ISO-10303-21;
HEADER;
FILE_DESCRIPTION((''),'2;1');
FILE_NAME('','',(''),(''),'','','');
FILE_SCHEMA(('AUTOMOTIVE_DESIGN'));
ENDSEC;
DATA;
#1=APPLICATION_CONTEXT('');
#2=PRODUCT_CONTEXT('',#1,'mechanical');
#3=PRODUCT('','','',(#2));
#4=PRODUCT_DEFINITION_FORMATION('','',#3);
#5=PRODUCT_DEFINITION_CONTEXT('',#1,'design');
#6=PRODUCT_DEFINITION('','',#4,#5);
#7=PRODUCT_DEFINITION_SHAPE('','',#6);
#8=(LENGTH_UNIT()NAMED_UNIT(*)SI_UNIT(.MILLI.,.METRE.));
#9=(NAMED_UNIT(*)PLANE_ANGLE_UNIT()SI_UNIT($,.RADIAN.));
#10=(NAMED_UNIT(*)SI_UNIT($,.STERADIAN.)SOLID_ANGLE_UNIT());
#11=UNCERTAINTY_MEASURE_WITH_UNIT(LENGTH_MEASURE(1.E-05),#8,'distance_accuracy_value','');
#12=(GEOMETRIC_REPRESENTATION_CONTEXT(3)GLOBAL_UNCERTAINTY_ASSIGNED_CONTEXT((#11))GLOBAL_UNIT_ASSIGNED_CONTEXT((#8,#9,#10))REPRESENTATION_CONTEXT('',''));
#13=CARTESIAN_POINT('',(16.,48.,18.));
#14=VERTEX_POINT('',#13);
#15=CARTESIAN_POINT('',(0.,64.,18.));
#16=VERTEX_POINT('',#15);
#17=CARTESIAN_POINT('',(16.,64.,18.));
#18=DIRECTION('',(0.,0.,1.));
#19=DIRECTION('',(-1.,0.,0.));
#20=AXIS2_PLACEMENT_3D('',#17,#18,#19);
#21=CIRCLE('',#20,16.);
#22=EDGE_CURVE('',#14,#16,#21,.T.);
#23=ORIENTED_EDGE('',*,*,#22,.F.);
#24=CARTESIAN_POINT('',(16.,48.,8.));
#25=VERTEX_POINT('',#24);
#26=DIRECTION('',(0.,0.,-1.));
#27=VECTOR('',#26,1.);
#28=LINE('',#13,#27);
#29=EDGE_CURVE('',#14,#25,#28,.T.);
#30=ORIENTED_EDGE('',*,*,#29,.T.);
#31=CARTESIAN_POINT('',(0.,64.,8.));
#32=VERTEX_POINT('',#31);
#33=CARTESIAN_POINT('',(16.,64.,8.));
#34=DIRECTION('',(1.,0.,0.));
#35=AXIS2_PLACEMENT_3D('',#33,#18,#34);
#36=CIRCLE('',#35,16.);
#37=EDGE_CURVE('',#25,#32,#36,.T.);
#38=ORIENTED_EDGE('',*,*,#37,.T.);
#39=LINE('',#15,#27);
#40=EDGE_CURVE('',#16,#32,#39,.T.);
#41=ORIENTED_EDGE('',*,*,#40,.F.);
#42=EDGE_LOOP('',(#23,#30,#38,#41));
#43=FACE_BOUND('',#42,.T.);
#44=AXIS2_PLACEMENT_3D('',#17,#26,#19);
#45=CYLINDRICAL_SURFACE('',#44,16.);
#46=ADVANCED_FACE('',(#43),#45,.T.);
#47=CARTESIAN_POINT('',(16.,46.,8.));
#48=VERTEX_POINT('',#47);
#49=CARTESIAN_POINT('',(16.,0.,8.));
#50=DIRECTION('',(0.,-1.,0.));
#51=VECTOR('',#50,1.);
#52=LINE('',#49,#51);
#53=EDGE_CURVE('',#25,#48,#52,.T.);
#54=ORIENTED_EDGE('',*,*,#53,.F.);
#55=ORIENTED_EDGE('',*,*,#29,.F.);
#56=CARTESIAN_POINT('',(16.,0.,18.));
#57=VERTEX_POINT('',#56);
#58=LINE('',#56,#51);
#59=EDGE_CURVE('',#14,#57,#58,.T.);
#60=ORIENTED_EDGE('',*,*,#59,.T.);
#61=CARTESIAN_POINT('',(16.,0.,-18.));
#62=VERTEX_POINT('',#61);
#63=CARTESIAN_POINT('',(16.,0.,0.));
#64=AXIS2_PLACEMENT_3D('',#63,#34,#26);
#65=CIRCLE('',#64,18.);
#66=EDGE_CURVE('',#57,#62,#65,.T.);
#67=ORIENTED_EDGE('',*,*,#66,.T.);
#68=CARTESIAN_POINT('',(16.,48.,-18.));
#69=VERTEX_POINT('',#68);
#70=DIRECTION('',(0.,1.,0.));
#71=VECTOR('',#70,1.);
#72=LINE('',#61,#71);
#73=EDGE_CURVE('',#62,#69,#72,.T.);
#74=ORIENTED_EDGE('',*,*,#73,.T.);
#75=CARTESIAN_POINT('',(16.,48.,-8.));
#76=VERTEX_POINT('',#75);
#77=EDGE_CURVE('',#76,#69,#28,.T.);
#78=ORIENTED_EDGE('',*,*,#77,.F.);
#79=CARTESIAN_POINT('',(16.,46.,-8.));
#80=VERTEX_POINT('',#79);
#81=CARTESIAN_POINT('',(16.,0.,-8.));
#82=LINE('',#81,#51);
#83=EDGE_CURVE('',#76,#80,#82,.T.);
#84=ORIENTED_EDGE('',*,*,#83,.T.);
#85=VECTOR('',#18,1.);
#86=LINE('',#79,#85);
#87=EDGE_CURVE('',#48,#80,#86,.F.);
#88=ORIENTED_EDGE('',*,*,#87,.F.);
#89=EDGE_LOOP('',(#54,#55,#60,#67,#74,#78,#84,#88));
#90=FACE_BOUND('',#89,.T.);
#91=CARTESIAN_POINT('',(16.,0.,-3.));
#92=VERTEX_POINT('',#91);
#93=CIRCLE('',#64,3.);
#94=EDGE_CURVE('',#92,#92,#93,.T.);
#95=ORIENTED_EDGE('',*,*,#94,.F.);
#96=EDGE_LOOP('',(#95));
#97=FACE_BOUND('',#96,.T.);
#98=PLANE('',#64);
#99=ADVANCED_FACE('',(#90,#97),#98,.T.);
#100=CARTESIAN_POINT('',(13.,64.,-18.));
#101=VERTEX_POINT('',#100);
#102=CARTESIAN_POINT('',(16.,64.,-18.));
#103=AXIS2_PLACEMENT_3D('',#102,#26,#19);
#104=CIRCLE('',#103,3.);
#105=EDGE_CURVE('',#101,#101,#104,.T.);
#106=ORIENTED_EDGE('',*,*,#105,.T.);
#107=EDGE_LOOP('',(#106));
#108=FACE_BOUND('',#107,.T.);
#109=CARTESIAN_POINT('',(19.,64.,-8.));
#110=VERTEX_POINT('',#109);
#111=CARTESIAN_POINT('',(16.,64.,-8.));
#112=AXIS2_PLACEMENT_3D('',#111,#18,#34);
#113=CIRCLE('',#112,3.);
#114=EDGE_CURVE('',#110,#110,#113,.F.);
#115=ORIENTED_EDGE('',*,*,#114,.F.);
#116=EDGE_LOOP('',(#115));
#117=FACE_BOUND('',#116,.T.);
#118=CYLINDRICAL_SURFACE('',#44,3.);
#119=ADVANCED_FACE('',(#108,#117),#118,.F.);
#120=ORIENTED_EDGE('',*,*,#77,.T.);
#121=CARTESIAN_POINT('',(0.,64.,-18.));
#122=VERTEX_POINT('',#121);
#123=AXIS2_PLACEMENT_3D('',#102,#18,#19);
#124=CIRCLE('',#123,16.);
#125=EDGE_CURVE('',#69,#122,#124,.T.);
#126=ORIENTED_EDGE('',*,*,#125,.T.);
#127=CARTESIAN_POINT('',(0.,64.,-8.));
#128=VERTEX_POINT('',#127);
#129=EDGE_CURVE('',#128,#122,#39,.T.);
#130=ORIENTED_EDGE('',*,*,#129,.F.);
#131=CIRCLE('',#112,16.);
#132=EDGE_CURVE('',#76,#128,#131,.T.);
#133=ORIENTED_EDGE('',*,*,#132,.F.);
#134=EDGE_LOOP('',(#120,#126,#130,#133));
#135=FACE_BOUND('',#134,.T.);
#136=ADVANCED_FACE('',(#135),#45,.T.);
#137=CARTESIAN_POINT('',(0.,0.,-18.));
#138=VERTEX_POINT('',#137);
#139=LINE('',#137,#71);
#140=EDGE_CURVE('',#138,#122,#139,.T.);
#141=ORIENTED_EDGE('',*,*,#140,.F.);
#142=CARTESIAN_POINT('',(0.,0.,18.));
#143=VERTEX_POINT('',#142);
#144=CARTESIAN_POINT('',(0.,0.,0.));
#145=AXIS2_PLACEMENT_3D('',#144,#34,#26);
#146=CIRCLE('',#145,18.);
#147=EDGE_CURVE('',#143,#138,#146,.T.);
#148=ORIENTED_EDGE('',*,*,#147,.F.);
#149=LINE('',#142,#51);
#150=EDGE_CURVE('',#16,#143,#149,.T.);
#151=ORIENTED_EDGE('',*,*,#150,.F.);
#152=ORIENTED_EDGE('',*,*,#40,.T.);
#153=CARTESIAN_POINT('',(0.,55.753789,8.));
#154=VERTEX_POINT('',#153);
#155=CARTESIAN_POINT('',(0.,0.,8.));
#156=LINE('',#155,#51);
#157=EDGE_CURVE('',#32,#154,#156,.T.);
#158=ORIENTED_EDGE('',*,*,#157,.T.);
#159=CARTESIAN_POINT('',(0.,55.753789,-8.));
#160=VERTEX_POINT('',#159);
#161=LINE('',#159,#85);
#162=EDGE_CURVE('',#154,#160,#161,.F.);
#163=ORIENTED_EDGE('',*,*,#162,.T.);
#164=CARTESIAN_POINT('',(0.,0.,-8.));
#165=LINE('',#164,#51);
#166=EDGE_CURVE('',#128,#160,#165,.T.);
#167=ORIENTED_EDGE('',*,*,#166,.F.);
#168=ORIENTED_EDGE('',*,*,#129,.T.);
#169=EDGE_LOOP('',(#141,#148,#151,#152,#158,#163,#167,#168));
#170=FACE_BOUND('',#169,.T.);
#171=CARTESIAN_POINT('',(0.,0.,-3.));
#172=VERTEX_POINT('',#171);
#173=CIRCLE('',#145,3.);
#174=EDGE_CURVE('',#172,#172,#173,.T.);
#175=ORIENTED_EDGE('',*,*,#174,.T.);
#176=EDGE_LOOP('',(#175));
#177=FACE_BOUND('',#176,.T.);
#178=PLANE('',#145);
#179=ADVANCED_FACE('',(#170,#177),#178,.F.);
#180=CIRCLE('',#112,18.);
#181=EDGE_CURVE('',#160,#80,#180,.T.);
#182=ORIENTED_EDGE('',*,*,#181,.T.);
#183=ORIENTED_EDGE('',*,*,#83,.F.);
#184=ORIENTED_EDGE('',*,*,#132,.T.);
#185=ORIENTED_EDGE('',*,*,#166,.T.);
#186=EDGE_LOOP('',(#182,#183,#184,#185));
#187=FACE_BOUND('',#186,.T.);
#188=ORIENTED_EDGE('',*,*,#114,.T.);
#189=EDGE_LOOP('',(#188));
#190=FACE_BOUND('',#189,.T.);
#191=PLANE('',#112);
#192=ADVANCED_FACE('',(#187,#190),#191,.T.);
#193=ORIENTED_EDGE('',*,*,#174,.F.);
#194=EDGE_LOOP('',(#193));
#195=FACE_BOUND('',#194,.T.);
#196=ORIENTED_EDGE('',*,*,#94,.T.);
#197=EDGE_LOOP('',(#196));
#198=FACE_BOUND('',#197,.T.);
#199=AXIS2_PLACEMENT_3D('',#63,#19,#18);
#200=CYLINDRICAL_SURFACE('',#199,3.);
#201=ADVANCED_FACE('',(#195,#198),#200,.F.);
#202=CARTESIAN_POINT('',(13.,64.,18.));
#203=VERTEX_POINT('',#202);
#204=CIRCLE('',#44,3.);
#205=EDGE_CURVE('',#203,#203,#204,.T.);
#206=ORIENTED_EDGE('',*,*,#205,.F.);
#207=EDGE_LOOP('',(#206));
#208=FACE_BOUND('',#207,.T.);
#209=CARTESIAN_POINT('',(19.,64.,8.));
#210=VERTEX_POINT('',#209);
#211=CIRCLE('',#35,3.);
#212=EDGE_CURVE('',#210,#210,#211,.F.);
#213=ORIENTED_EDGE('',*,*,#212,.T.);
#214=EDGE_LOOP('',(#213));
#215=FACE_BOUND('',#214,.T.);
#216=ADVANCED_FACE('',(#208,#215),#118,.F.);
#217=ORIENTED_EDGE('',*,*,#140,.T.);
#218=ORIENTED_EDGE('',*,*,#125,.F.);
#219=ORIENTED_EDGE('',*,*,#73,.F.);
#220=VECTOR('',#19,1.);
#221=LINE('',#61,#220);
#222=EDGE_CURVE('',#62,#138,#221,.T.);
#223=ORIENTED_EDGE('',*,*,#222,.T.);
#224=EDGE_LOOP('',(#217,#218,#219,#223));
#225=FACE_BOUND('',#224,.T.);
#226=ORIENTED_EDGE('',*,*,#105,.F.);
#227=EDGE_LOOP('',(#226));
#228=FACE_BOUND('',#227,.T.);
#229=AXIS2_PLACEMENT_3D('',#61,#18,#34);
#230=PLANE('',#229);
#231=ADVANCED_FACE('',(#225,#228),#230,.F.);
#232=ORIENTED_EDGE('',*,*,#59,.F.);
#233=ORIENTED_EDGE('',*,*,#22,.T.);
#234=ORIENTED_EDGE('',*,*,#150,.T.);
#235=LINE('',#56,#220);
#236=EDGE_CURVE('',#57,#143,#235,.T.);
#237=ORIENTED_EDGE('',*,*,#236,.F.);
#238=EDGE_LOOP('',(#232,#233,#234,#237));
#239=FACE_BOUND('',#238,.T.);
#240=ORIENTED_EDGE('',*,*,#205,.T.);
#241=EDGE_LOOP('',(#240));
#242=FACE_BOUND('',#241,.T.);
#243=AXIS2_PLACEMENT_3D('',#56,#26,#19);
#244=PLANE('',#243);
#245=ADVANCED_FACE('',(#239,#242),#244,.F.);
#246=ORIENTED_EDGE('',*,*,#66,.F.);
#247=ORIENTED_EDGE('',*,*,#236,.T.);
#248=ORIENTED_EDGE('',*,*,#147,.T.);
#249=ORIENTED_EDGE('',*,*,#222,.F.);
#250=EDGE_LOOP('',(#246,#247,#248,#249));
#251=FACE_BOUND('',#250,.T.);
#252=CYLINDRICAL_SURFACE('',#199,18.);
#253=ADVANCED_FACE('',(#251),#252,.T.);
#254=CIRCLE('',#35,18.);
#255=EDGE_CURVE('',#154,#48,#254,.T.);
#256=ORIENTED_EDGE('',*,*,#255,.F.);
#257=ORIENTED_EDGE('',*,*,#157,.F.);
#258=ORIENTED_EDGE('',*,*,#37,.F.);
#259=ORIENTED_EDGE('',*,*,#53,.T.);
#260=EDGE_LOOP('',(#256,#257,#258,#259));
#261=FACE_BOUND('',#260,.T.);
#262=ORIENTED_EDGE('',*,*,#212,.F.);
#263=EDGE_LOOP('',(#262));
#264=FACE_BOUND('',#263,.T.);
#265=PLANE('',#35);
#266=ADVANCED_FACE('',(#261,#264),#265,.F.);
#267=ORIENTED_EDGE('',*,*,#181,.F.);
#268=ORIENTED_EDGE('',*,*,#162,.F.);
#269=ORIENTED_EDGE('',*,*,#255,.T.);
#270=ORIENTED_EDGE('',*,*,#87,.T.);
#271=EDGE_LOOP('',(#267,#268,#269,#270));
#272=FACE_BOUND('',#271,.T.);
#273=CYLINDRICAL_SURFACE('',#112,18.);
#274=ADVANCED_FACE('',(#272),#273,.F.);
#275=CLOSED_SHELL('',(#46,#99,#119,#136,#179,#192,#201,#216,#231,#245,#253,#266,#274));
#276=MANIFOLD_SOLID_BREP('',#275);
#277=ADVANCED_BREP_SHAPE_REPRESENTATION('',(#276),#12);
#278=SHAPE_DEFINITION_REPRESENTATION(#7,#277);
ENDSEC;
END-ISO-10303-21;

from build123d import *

# Parameters (mm, degrees)
SKETCH_1_R          = 3
EXTRUDE_1_DEPTH     = 16
SKETCH_3_W          = 16
SKETCH_3_H          = 32
EXTRUDE_2_DEPTH     = 36
SKETCH_5_R          = 3
CUT_EXTRUDE_1_DEPTH = 36
SKETCH_8_R          = 18
CUT_EXTRUDE_6_DEPTH = 8


with BuildPart() as part:
    # 草图1 → 凸台-拉伸1 (new body)
    with BuildSketch(Plane(origin=(0, 0, 0), x_dir=(0, 0, -1), z_dir=(1, 0, 0))):
        with BuildLine():
            Line((-18, 0), (-18, 80))
            Line((-18, 80), (18, 80))
            Line((18, 80), (18, 0))
            ThreePointArc((18, 0), (0, -18), (-18, 0))
        make_face()
        Circle(SKETCH_1_R, mode=Mode.SUBTRACT)
    extrude(amount=EXTRUDE_1_DEPTH)

    # 草图3 → 凸台-拉伸2 (add)
    with BuildSketch(Plane(origin=(0, 0, -18), x_dir=(-1, 0, 0), z_dir=(0, 0, -1))):
        with Locations((-24, 64)):
            Rectangle(SKETCH_3_W, SKETCH_3_H)
    extrude(amount=-EXTRUDE_2_DEPTH)

    # 草图5 → 切除-拉伸1 (cut)
    with BuildSketch(Plane(origin=(0, 0, -18), x_dir=(-1, 0, 0), z_dir=(0, 0, -1))):
        with Locations((-16, 64)):
            Circle(SKETCH_5_R)
        with BuildLine():
            Line((-16, 92.996070946), (8.992787367, 92.996070946))
            Line((8.992787367, 92.996070946), (8.992787367, 64))
            Line((8.992787367, 64), (0, 64))
            ThreePointArc((0, 64), (-27.313708499, 75.313708499), (-16, 48))
            Line((-16, 48), (-16, 39.001100245))
            Line((-16, 39.001100245), (-49.117406919, 39.001100245))
            Line((-49.117406919, 39.001100245), (-49.117406919, 92.996070946))
            Line((-49.117406919, 92.996070946), (-16, 92.996070946))
        make_face()
    extrude(amount=-CUT_EXTRUDE_1_DEPTH, mode=Mode.SUBTRACT)

    # 草图8 → 切除-拉伸6 (cut, symmetric)
    with BuildSketch(Plane.XY):
        with Locations((16, 64)):
            Circle(SKETCH_8_R)
    extrude(amount=CUT_EXTRUDE_6_DEPTH, both=True, mode=Mode.SUBTRACT)


solid = part.part
